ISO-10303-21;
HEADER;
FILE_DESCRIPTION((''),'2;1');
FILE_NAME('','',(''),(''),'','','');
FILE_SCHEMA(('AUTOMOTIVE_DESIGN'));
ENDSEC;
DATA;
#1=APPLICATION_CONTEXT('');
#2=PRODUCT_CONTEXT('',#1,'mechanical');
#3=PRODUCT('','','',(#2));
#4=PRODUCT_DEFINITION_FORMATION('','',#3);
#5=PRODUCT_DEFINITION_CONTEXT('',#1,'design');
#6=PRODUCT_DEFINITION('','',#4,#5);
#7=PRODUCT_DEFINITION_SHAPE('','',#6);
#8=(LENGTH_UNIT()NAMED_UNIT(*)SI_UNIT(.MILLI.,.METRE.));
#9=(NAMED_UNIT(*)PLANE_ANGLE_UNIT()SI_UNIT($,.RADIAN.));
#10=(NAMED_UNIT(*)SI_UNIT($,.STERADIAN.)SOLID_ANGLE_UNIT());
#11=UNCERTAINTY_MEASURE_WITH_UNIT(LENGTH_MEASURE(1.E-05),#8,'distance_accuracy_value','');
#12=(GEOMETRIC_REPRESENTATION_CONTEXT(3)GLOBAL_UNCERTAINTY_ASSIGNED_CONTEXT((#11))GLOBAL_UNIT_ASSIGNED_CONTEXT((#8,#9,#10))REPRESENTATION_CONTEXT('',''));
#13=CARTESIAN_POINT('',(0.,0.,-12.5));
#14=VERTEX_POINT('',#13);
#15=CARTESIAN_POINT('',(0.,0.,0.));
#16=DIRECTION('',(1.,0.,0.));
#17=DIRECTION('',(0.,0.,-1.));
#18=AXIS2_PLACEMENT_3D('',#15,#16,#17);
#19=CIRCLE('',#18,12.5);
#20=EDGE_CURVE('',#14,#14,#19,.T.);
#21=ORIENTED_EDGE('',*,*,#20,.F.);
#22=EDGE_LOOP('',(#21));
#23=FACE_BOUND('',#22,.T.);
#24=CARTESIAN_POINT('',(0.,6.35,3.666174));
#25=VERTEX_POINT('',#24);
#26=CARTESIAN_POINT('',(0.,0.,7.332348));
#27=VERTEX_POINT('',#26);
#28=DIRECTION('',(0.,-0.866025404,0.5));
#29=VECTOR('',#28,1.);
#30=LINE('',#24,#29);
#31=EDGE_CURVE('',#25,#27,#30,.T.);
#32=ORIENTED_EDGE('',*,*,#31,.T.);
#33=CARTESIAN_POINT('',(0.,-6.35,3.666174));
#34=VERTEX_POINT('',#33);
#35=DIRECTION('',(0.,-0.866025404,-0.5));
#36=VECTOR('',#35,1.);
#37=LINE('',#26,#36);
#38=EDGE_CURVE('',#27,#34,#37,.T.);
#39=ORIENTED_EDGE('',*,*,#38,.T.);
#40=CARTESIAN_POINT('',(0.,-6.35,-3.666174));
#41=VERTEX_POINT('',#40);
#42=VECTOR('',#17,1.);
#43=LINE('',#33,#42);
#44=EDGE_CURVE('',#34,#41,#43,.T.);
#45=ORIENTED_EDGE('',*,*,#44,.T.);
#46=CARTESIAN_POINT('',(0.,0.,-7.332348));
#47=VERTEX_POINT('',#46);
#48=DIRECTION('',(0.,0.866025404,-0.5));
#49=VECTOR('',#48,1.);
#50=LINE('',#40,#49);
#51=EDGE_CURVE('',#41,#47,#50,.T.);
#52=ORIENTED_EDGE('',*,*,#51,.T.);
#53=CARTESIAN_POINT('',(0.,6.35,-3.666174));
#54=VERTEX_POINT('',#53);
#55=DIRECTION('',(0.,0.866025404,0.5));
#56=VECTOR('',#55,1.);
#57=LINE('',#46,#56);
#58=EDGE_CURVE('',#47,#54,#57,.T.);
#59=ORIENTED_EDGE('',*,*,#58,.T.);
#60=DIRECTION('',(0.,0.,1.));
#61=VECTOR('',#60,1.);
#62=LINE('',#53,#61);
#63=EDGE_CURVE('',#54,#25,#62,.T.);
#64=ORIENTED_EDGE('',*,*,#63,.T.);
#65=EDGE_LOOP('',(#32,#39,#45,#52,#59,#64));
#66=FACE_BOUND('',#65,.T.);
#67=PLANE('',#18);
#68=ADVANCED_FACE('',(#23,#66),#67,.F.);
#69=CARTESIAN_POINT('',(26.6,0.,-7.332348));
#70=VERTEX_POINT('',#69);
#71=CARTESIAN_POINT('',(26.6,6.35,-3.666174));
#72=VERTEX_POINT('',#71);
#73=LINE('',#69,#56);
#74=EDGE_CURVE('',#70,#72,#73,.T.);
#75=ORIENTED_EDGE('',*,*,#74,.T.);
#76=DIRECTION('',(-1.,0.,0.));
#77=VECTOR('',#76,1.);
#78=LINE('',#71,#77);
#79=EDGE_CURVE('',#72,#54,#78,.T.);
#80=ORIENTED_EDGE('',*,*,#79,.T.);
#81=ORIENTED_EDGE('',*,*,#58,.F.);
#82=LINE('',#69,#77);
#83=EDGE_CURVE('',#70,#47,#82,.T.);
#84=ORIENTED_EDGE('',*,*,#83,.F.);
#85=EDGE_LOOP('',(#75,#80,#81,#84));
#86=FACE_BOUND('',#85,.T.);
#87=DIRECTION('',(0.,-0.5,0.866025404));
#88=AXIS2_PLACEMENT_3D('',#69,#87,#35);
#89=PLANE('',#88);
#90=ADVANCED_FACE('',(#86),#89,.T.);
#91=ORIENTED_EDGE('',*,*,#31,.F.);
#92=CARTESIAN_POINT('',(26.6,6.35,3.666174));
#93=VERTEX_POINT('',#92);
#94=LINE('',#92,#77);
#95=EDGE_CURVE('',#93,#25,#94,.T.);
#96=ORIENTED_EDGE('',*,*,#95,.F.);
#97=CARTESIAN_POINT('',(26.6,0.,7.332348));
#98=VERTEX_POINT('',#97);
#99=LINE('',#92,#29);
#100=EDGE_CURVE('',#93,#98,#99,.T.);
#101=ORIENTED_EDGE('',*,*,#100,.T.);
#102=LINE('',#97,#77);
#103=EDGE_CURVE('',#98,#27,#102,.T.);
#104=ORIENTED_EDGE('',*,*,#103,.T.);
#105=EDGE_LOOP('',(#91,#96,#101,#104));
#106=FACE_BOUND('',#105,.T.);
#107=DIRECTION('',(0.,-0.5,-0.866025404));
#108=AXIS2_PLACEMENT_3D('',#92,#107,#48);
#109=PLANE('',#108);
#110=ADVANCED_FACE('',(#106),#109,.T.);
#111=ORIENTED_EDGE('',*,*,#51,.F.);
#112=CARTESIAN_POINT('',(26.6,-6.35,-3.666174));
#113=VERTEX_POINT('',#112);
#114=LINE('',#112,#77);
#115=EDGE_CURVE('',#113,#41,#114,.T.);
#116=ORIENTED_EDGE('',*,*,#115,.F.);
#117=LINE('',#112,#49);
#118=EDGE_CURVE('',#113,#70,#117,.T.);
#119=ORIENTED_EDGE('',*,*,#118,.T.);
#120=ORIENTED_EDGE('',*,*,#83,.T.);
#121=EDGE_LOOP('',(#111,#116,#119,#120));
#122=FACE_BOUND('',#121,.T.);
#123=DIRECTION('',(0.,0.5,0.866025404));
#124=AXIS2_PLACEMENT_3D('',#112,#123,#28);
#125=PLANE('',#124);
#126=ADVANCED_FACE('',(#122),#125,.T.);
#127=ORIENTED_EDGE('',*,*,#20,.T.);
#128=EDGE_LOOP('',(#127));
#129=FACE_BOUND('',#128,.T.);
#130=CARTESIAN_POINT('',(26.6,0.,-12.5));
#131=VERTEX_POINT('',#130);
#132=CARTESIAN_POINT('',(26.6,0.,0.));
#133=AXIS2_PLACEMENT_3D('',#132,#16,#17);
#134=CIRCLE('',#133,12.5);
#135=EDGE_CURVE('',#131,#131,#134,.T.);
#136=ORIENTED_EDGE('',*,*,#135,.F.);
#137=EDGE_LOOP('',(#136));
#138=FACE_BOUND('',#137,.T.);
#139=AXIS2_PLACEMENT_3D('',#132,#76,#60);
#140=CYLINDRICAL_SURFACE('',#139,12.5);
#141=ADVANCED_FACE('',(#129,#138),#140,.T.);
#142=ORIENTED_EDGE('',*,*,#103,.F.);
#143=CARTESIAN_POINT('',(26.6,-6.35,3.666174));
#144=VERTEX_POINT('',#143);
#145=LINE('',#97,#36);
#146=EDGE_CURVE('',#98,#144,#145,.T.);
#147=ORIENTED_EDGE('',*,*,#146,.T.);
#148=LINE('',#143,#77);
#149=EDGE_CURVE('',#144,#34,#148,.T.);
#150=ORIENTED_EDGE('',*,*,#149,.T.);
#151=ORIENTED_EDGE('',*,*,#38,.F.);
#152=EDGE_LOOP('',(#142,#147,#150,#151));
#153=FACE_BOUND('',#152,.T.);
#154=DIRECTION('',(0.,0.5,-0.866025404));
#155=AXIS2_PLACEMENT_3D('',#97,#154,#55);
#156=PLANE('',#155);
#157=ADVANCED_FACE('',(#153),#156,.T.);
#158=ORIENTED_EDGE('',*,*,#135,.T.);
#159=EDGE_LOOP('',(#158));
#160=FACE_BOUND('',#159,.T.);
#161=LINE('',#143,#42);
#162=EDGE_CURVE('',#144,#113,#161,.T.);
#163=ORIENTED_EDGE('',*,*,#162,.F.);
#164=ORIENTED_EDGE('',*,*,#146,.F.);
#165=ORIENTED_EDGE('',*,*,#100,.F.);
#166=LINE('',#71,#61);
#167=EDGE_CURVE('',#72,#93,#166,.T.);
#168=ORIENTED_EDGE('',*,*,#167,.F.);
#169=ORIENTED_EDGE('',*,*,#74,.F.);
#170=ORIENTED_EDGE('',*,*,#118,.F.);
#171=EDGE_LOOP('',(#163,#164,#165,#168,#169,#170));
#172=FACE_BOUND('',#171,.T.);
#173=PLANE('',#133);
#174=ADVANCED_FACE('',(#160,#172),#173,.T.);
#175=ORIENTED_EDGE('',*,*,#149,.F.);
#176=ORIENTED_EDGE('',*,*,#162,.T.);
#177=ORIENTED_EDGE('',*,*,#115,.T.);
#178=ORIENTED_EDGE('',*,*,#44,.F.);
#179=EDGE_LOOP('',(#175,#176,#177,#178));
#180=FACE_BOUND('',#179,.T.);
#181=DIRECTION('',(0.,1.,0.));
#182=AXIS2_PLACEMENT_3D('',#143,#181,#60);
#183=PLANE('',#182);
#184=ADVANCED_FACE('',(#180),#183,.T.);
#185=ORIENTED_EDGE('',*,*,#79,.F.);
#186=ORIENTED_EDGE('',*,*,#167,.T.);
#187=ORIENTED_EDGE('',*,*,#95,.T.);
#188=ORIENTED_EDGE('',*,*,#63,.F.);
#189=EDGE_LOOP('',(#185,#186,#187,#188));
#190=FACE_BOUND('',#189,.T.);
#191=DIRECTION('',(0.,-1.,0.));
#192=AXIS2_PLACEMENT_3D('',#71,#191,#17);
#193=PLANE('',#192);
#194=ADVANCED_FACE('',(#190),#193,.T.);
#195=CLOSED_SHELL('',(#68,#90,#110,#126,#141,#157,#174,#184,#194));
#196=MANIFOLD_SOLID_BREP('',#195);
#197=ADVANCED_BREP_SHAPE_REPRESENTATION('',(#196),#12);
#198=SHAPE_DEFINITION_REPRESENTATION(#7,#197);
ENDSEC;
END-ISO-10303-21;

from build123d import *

# Parameters (mm, degrees)
CROQUIS1_R              = 12.5
SALIENTE_EXTRUIR1_DEPTH = 26.6


with BuildPart() as part:
    # Croquis1 → Saliente-Extruir1 (new body)
    with BuildSketch(Plane(origin=(0, 0, 0), x_dir=(0, 0, -1), z_dir=(1, 0, 0))):
        Circle(CROQUIS1_R)
        Polygon((7.332348419, 0), (3.666174209, 6.35), (-3.666174209, 6.35), (-7.332348419, 0), (-3.666174209, -6.35), (3.666174209, -6.35), align=None, mode=Mode.SUBTRACT)
    extrude(amount=SALIENTE_EXTRUIR1_DEPTH)


solid = part.part
